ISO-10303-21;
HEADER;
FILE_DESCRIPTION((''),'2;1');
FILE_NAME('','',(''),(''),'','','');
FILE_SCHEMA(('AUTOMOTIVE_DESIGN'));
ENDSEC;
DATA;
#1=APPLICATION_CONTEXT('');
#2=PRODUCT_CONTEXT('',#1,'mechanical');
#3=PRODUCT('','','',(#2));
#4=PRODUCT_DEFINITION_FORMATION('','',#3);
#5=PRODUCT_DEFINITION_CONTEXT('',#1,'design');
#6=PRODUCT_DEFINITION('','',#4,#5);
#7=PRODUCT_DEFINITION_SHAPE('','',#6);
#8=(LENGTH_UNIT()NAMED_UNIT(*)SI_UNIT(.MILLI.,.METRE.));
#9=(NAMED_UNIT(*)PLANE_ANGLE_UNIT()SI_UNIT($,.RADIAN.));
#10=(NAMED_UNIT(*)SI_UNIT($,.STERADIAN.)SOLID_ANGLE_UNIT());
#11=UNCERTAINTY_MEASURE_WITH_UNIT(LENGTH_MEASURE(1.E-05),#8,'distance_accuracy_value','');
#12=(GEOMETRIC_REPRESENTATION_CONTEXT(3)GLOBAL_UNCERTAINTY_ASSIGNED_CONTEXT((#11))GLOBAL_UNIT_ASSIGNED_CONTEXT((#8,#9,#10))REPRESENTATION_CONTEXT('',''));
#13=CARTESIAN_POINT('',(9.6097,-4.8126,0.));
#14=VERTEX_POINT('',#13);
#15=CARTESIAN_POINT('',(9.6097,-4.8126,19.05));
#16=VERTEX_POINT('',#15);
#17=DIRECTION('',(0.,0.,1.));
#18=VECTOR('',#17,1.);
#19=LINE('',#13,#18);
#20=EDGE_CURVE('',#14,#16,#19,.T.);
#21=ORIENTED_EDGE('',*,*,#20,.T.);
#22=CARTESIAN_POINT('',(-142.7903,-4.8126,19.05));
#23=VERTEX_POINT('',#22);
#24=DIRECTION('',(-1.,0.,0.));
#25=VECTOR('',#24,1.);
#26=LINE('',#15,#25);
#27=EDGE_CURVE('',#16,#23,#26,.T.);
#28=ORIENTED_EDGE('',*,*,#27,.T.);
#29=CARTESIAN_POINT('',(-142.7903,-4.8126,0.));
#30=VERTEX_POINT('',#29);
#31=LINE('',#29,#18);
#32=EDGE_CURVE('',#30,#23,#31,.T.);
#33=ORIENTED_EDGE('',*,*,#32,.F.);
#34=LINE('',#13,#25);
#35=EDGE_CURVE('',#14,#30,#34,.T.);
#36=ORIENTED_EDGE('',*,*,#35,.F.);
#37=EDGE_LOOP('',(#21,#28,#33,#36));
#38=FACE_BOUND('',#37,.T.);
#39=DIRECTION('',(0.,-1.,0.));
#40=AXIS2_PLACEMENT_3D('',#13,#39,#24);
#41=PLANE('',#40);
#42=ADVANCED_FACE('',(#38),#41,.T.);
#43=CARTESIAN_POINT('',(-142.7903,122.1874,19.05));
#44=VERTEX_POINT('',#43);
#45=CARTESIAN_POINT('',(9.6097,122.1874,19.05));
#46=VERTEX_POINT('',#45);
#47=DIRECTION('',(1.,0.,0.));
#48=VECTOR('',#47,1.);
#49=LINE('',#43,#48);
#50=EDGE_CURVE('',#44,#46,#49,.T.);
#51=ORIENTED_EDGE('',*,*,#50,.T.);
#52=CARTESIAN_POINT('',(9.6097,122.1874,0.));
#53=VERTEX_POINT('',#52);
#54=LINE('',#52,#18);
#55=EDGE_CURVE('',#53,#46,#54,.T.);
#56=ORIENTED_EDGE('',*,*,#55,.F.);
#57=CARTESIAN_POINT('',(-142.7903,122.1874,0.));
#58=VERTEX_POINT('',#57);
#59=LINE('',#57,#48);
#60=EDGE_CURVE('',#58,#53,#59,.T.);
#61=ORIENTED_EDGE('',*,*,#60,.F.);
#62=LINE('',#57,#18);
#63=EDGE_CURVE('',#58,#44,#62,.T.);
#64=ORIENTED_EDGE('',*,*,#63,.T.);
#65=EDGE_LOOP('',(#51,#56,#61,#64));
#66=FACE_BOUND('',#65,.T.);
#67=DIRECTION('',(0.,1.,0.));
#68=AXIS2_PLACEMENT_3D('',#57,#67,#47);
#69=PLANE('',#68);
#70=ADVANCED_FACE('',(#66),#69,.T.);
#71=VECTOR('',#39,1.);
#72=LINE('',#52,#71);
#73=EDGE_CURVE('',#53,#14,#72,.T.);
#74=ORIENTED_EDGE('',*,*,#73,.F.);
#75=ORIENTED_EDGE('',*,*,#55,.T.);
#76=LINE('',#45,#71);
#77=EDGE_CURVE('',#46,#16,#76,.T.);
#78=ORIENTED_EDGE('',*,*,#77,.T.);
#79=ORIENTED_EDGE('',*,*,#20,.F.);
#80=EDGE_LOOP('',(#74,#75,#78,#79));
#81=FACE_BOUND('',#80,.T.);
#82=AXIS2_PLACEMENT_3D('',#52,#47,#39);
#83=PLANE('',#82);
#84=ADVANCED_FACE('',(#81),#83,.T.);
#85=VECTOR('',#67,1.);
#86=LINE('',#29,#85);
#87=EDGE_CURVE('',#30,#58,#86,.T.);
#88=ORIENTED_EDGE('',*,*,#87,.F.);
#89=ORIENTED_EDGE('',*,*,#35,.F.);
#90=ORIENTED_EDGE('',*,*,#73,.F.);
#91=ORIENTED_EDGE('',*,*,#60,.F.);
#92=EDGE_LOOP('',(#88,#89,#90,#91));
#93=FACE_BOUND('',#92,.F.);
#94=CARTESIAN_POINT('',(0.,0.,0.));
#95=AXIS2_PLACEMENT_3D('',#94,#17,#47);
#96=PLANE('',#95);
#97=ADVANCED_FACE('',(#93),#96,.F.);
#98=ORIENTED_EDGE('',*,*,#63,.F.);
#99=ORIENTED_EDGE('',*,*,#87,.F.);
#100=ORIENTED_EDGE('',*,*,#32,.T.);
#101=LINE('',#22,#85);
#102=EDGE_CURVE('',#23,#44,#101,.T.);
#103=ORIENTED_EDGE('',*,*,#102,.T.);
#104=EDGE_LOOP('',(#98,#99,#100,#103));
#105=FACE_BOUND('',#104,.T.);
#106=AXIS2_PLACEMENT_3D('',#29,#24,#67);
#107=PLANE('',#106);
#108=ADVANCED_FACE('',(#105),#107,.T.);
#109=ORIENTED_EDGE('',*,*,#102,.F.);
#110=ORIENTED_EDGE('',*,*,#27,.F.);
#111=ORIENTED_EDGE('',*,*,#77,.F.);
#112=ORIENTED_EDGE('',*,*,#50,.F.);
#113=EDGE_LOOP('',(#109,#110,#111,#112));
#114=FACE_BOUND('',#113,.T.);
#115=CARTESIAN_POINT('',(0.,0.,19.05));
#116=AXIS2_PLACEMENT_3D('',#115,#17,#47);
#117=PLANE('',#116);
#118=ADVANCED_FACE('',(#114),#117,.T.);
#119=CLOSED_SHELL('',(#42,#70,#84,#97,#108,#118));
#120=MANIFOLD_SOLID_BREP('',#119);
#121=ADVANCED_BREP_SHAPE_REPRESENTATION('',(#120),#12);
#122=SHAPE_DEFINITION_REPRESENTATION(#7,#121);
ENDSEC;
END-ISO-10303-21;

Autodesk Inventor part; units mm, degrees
ref_plane "YZ Plane" through (0, 0, 0) normal (1, 0, 0) x (0, 1, 0)
ref_plane "XZ Plane" through (0, 0, 0) normal (0, 1, 0) x (-1, 0, 0)
ref_plane "XY Plane" through (0, 0, 0) normal (0, 0, 1) x (1, 0, 0)
sketch "Sketch1" plane through (0, 0, 0) normal (0, 0, 1) x (1, 0, 0)
  line L0 (9.6097, -4.8126) -> (-142.7903, -4.8126)
  line L1 (-142.7903, -4.8126) -> (-142.7903, 122.1874)
  line L2 (-142.7903, 122.1874) -> (9.6097, 122.1874)
  line L3 (9.6097, 122.1874) -> (9.6097, -4.8126)
  point P0 (0, 0)
  dimension "d0" = 152.4
  dimension "d1" = 127
extrude "Extrusion1" add sketch "Sketch1" along normal blind 19.05
properties part number "BumperWood"
